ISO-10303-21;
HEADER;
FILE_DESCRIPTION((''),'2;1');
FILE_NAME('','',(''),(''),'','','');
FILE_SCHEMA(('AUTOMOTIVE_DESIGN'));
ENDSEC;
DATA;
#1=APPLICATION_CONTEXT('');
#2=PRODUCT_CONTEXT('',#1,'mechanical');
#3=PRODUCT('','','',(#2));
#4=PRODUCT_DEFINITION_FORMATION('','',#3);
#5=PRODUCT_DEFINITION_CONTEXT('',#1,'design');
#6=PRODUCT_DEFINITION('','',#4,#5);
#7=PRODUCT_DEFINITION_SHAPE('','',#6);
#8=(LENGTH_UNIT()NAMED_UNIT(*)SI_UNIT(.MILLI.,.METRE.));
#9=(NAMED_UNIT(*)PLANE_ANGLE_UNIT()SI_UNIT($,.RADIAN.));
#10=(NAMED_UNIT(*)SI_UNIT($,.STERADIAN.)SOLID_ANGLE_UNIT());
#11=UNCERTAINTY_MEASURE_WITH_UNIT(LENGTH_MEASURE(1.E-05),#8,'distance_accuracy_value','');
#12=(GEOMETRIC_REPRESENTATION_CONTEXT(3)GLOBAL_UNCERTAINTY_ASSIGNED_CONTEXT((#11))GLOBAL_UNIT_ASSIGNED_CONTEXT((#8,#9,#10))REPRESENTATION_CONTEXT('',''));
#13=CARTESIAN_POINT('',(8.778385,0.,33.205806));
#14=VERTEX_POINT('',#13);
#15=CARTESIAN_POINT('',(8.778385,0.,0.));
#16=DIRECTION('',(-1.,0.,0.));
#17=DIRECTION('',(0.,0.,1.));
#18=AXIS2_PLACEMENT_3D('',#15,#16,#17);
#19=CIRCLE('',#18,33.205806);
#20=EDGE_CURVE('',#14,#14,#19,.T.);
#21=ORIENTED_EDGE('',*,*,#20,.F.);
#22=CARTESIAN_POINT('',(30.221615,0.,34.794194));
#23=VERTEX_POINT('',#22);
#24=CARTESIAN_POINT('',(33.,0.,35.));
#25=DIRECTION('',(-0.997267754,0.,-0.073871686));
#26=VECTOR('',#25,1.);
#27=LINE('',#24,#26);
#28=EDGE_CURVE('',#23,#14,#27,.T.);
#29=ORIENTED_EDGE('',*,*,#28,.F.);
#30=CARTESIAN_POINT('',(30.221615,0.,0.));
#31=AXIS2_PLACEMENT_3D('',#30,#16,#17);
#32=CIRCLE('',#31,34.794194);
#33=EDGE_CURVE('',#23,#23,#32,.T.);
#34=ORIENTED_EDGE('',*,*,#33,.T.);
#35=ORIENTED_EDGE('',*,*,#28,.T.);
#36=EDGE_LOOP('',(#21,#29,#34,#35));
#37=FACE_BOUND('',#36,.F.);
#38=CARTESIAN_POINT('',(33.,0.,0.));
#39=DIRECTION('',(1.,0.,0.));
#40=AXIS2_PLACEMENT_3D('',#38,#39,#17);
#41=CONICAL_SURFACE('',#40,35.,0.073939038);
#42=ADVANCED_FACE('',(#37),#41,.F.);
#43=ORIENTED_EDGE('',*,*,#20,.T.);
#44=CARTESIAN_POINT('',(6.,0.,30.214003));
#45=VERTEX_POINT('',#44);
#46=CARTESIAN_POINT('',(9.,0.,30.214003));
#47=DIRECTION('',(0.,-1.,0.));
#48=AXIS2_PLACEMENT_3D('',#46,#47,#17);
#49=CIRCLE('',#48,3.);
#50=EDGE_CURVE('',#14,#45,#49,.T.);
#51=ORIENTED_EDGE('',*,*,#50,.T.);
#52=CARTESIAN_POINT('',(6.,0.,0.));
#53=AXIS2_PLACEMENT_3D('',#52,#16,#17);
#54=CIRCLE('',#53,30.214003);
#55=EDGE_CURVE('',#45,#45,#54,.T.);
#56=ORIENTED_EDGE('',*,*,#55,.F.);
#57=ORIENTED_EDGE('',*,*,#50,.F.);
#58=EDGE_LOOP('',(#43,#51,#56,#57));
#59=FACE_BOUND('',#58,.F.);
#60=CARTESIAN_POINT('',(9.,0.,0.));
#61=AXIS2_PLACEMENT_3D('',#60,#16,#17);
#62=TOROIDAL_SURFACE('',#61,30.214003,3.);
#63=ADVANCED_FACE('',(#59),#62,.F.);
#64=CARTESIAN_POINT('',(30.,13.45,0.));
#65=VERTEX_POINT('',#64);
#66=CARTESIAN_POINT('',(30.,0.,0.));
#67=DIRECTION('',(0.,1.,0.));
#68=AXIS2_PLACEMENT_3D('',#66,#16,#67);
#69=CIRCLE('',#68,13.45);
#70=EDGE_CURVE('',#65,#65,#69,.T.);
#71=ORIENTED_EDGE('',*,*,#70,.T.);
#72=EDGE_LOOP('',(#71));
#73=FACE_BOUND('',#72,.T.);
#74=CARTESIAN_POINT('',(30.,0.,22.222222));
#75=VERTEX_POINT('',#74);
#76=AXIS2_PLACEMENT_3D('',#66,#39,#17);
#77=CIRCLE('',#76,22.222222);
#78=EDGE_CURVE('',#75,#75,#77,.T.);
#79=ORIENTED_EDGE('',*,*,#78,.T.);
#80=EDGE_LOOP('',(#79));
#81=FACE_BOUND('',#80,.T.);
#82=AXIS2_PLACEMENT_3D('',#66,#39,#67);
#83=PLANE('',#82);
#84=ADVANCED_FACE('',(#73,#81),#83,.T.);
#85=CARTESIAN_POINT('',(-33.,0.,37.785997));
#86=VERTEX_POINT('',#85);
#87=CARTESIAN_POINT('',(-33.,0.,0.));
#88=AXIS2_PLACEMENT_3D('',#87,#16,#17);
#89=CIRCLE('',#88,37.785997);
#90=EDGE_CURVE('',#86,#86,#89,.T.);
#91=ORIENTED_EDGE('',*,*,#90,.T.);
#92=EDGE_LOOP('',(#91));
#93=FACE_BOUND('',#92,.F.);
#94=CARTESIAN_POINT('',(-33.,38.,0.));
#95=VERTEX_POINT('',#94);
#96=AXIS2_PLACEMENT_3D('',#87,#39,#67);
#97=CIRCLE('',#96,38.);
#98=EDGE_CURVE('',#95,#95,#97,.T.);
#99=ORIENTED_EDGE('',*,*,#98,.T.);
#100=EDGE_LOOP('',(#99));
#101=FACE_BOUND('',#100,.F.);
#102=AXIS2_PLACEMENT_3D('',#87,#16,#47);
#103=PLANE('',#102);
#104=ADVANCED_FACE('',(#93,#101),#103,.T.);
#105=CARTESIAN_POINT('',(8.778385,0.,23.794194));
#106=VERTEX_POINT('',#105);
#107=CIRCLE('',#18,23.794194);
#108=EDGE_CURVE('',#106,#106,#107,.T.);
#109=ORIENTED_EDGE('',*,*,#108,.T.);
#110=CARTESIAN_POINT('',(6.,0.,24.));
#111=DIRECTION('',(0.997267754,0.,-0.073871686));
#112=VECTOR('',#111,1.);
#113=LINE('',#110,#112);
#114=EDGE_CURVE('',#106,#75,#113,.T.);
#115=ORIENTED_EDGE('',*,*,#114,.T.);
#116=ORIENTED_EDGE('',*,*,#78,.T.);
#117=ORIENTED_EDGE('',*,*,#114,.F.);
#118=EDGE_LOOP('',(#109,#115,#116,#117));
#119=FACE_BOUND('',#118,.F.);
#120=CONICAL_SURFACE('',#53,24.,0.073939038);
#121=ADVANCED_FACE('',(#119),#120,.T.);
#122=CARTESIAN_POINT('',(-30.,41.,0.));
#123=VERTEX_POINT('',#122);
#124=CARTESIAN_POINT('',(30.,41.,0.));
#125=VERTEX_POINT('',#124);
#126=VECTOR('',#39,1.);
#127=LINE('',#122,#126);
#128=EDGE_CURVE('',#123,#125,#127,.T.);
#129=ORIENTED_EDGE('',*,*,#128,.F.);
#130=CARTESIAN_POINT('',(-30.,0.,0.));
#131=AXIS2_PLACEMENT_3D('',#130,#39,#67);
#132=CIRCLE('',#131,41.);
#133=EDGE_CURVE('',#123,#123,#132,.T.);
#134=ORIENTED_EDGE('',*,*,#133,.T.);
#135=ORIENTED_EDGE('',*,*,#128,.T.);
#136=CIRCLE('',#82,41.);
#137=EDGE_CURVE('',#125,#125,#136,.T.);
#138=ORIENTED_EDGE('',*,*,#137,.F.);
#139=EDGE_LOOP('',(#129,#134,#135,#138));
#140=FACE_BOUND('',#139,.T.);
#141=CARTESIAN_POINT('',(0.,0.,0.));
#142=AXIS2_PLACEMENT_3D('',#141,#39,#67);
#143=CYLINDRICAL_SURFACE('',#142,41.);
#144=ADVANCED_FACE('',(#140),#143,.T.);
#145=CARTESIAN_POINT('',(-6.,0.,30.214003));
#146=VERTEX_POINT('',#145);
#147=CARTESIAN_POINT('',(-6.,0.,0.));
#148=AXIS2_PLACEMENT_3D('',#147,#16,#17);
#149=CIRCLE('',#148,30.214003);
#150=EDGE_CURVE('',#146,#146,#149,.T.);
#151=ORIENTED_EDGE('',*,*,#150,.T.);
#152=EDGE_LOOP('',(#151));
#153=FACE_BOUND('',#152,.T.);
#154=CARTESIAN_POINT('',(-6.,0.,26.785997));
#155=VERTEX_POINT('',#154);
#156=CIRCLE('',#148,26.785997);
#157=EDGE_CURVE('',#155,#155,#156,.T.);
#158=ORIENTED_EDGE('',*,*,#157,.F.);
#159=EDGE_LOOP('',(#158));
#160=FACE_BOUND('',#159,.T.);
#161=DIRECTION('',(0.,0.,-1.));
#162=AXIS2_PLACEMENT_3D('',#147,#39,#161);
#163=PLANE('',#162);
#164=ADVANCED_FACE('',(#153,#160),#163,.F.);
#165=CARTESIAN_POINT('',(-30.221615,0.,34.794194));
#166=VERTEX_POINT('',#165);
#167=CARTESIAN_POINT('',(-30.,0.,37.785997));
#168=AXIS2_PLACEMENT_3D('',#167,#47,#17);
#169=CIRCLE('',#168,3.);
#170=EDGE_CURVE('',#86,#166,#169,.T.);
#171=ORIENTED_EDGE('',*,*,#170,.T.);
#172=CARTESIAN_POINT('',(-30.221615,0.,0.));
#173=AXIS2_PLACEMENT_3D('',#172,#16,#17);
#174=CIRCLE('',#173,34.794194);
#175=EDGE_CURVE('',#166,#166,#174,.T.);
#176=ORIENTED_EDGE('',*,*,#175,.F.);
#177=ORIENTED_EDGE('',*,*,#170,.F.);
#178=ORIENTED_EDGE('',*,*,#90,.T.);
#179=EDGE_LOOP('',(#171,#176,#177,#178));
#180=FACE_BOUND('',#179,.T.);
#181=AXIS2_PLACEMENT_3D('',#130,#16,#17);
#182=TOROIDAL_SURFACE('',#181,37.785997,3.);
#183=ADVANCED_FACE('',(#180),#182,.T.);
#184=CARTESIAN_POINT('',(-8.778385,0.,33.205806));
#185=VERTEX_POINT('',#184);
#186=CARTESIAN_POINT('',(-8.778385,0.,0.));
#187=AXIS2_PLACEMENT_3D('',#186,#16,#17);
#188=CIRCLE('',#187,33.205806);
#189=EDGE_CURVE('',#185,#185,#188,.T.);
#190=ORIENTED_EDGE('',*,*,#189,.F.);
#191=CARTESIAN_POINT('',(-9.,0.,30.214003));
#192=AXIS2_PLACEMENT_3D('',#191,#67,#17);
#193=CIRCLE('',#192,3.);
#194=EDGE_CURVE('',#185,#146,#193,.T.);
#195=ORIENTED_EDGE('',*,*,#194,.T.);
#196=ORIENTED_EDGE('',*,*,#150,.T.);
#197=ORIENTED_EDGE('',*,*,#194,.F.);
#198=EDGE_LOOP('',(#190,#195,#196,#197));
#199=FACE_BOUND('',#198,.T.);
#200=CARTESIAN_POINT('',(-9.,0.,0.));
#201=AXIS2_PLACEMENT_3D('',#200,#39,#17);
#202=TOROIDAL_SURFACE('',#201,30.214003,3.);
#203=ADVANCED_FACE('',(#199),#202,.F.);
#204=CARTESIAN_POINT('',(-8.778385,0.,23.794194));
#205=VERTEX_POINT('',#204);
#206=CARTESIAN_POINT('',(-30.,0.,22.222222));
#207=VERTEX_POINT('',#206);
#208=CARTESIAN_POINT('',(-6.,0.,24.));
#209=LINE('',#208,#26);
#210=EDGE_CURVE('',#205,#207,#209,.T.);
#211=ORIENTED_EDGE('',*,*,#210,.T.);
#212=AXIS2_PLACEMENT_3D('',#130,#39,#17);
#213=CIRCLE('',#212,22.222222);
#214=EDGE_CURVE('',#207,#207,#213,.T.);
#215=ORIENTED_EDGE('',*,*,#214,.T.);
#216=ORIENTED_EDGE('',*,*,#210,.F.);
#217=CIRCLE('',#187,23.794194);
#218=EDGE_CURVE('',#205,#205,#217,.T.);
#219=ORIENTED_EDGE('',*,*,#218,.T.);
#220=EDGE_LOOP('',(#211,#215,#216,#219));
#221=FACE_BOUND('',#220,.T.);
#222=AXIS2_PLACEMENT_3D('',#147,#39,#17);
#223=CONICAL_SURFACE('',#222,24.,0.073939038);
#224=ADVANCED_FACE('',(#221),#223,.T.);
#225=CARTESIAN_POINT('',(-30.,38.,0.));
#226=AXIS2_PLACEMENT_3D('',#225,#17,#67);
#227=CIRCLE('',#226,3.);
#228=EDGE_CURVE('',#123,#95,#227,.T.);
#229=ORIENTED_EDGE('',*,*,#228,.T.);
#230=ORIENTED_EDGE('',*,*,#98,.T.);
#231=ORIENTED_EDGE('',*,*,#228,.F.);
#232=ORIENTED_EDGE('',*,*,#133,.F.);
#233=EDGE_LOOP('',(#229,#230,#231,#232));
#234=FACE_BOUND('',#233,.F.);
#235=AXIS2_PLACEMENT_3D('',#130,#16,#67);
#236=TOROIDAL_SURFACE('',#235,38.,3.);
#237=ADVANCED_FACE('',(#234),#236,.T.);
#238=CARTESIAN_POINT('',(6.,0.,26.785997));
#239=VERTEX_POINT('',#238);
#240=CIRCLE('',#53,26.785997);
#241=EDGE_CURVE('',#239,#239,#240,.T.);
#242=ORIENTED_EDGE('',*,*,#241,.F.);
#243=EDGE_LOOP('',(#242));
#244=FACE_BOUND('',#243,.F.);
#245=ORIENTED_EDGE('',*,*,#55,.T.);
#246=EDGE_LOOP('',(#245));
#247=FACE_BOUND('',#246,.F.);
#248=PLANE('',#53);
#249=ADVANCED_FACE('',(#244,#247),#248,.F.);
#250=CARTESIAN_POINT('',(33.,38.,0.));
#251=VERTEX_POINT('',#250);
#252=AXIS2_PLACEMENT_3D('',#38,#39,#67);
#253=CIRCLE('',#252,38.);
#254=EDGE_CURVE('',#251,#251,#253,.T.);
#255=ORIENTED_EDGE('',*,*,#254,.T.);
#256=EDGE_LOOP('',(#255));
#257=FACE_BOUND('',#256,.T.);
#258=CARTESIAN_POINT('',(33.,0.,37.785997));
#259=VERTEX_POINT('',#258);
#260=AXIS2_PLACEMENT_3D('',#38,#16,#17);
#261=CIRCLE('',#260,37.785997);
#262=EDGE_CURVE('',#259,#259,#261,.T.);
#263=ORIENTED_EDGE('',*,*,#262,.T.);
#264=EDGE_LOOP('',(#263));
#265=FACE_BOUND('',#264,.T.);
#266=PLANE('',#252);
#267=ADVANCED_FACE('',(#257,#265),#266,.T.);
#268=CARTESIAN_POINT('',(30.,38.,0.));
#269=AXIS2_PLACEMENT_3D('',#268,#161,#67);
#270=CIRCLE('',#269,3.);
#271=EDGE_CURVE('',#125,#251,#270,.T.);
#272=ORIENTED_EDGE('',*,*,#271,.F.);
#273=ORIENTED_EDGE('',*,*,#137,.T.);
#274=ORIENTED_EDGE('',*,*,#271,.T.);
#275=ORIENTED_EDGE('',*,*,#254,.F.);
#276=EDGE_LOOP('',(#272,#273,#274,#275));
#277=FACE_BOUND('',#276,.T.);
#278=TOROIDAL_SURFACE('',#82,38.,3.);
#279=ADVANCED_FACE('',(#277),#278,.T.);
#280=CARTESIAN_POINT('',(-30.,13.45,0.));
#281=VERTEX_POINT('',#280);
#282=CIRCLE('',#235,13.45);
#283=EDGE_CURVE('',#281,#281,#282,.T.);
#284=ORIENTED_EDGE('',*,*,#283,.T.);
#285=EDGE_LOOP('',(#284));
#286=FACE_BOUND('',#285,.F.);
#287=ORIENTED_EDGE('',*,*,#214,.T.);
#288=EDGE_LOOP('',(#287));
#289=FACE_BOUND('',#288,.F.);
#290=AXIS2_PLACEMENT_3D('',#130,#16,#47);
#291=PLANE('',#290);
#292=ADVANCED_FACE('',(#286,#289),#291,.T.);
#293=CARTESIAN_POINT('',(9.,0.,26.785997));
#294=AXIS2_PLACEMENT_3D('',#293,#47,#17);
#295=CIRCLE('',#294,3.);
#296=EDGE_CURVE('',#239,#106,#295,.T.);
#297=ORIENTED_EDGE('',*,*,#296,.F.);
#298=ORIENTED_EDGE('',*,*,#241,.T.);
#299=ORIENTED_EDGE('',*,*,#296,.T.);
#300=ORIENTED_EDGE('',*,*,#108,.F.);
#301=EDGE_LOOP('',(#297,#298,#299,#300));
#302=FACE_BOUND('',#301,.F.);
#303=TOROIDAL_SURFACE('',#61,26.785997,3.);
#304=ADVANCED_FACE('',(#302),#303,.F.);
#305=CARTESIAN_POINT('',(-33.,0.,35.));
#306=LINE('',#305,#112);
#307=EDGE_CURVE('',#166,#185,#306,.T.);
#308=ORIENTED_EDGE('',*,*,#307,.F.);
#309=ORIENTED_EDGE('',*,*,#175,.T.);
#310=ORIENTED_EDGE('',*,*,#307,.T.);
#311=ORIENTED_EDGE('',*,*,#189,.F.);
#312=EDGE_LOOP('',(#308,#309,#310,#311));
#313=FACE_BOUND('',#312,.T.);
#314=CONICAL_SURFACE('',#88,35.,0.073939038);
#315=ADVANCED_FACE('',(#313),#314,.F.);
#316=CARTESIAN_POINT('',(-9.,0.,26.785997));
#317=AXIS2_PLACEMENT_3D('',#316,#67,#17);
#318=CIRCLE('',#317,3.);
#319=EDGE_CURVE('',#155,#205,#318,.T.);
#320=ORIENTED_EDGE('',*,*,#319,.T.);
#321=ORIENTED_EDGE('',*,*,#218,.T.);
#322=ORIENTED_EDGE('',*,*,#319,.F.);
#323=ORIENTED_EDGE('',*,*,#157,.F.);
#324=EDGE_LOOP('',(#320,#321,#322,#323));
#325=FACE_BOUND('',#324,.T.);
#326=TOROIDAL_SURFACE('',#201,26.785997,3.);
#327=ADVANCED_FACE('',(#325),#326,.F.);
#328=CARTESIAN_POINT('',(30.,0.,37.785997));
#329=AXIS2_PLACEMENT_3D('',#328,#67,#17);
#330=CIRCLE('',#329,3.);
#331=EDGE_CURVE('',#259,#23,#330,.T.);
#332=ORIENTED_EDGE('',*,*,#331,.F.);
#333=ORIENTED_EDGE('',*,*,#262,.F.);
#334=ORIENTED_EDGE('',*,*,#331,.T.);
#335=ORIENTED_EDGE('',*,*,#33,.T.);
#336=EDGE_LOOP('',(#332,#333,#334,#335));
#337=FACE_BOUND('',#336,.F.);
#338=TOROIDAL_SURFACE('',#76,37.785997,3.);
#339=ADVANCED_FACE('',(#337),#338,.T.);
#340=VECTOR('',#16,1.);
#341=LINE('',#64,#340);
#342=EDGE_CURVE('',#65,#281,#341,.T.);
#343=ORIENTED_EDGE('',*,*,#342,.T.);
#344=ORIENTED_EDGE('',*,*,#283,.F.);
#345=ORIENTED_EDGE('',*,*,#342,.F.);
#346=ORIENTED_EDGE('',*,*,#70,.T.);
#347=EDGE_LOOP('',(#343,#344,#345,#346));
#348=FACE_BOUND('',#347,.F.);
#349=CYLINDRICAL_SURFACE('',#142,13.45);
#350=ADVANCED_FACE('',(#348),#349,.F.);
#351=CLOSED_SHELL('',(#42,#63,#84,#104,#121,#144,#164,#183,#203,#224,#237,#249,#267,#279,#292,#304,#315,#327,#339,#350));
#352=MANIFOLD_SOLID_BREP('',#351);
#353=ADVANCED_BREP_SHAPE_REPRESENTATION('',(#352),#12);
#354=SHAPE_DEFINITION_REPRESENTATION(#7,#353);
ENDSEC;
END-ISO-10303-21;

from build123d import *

# Parameters (mm, degrees)
F0_R      = 41
F0_R_2    = 13.45
F6_DEPTH  = 33
F8_R      = 3
F10_R     = 23.794194
F11_DEPTH = 3.001


with BuildPart() as f6:
    # F0 (on Right) → F6 (new body)
    with BuildSketch(Plane.YZ):
        Circle(F0_R)
        Circle(F0_R_2, mode=Mode.SUBTRACT)
    extrude(amount=F6_DEPTH)

    # F5 (on Front) → F7 (revolve, cut)
    with BuildSketch(Plane.XZ):
        Polygon((33, 22), (33, 35), (6, 33), (6, 24), align=None)
    revolve(axis=Axis((15.496012, 0, 0), (-1, 0, 0)), mode=Mode.SUBTRACT)

    # F8
    f8_edges = [f6.edges().sort_by_distance(p)[0] for p in [
        (33, 0, -35),
        (33, -41, 0),
        (6, 0, -33),
        (6, 0, -24),
    ]]
    fillet(f8_edges, radius=F8_R)

    # F10 (on offset) → F11 (cut, through all)
    with BuildSketch(Plane.YZ.offset(30)):
        Circle(F10_R)
    extrude(amount=F11_DEPTH, mode=Mode.SUBTRACT)

    # F12: F6 across plane


with BuildPart() as f6_1:
    add(f6.part)
    add(f6.part.mirror(Plane.YZ))


solid = f6_1.part
